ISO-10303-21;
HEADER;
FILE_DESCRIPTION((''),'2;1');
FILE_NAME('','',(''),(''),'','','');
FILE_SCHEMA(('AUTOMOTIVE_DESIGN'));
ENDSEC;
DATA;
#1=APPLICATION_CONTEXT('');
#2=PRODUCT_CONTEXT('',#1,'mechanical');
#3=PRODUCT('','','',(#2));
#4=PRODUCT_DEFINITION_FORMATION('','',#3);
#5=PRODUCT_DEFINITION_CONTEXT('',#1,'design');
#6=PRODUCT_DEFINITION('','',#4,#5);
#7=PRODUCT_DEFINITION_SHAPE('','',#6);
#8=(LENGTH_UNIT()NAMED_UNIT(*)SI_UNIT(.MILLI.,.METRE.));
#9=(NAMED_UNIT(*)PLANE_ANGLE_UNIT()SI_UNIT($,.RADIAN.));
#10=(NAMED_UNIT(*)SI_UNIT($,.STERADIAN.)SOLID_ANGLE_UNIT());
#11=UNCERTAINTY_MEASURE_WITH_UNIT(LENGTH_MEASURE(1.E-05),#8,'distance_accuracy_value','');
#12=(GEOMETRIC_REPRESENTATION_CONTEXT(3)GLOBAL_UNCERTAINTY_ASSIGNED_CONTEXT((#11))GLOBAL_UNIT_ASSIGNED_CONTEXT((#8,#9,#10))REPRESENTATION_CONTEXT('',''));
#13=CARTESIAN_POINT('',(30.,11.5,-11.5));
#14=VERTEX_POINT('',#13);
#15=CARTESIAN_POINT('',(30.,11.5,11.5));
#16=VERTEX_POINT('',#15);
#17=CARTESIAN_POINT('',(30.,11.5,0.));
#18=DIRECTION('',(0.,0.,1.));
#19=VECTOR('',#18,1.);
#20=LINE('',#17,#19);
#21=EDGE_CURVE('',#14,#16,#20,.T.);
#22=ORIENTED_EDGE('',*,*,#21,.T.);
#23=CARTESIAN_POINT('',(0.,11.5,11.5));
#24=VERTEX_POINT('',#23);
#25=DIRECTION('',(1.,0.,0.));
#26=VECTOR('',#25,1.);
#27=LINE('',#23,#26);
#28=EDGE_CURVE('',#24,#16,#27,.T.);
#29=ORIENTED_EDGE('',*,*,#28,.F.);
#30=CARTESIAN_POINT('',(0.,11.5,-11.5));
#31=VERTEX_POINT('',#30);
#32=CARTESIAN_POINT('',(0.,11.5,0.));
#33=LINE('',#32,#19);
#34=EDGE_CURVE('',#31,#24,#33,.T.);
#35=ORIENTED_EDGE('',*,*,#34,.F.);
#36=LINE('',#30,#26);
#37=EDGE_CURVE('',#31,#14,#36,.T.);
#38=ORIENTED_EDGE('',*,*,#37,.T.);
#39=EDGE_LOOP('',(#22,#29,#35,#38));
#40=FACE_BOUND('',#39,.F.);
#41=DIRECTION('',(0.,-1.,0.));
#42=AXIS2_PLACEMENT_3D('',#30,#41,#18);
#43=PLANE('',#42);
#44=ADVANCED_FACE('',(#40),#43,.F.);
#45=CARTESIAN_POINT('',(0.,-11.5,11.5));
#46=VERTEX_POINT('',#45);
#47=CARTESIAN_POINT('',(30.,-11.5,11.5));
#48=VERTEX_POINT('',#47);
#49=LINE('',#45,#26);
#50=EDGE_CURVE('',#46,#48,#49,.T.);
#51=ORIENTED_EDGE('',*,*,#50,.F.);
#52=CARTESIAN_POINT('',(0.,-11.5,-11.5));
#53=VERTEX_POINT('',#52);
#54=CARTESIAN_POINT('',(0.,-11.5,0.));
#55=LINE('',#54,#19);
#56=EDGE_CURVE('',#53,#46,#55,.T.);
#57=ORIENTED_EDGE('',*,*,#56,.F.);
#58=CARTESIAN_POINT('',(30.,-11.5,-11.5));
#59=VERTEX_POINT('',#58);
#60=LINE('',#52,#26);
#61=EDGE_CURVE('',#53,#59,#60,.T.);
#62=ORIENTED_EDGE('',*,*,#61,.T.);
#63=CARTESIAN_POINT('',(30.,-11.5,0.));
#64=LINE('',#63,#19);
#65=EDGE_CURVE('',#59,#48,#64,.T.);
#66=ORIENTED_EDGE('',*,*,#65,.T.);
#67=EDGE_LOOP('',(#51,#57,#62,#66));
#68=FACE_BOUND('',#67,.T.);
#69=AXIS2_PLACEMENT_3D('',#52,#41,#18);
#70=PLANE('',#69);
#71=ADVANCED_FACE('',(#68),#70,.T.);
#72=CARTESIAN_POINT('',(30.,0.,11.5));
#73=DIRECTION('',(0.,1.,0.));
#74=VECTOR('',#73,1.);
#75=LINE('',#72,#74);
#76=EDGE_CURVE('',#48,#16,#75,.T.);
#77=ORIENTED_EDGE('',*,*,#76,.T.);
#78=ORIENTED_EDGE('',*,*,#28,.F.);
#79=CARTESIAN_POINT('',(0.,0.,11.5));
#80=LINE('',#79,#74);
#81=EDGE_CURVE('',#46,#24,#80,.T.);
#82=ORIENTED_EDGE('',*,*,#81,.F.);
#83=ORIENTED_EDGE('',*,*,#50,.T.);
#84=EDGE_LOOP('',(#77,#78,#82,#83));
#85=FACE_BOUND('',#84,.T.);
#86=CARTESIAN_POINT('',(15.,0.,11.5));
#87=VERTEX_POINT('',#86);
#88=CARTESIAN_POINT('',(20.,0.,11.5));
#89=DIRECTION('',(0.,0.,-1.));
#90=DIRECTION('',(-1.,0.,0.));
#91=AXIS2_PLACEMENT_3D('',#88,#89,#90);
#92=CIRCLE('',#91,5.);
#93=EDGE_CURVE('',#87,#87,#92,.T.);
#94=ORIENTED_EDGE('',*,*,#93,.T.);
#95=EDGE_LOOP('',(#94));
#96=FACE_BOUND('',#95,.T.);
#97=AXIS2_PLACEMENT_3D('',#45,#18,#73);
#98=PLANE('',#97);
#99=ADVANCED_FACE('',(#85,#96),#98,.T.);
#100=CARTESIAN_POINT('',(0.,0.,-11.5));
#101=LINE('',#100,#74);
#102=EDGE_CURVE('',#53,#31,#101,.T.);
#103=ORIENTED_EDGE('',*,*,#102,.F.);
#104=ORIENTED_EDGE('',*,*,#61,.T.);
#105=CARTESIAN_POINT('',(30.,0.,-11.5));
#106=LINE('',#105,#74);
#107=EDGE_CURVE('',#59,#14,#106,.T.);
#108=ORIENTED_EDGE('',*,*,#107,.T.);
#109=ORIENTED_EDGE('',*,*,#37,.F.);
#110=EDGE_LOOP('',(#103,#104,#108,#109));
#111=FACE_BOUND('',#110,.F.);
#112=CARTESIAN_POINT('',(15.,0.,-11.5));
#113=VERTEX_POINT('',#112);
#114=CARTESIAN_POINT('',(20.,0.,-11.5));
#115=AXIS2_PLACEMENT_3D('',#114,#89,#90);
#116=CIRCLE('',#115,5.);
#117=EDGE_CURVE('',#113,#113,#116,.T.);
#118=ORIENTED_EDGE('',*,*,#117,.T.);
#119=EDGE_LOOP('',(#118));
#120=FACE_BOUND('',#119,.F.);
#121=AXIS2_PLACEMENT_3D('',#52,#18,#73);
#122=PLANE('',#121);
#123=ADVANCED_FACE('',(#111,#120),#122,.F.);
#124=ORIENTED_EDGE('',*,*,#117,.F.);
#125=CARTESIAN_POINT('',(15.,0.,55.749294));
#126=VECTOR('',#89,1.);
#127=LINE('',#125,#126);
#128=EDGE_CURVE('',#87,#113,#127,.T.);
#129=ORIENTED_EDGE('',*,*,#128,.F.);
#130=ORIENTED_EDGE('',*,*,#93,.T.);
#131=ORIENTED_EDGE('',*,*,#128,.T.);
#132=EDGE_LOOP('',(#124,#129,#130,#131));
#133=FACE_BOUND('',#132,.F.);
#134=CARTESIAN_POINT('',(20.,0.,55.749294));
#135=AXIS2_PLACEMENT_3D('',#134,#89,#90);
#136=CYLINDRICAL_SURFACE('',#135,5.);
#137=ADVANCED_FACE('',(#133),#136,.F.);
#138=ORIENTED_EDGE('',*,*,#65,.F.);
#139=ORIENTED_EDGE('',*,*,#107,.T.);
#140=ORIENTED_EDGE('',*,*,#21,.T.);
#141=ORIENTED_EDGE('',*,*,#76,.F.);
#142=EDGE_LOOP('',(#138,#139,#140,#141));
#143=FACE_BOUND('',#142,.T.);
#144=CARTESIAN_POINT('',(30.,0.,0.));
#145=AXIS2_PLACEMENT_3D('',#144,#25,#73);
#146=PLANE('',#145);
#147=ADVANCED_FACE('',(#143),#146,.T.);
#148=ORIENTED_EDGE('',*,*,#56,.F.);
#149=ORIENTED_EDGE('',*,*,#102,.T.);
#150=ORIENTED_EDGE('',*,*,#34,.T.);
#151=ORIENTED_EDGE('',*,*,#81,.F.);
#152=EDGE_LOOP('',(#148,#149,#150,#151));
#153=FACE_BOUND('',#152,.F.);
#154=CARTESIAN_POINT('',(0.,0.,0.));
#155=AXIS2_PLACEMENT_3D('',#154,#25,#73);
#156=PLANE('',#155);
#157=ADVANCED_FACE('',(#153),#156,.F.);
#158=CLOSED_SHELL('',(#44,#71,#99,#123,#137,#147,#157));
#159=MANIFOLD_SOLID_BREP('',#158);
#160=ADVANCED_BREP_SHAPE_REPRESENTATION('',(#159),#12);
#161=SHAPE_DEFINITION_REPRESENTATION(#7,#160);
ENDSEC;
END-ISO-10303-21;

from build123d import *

# Parameters (mm, degrees)
F0_W     = 23
F0_H     = 23
F1_DEPTH = 30
F3_D     = 10


with BuildPart() as f1:
    # F0 (on Right) → F1 (new body)
    with BuildSketch(Plane.YZ):
        Rectangle(F0_W, F0_H)
    extrude(amount=F1_DEPTH)

    # F3 (through all)
    with Locations(Plane.XY.offset(11.5)):
        with Locations((20, 0)):
            Hole(F3_D / 2)


solid = f1.part
